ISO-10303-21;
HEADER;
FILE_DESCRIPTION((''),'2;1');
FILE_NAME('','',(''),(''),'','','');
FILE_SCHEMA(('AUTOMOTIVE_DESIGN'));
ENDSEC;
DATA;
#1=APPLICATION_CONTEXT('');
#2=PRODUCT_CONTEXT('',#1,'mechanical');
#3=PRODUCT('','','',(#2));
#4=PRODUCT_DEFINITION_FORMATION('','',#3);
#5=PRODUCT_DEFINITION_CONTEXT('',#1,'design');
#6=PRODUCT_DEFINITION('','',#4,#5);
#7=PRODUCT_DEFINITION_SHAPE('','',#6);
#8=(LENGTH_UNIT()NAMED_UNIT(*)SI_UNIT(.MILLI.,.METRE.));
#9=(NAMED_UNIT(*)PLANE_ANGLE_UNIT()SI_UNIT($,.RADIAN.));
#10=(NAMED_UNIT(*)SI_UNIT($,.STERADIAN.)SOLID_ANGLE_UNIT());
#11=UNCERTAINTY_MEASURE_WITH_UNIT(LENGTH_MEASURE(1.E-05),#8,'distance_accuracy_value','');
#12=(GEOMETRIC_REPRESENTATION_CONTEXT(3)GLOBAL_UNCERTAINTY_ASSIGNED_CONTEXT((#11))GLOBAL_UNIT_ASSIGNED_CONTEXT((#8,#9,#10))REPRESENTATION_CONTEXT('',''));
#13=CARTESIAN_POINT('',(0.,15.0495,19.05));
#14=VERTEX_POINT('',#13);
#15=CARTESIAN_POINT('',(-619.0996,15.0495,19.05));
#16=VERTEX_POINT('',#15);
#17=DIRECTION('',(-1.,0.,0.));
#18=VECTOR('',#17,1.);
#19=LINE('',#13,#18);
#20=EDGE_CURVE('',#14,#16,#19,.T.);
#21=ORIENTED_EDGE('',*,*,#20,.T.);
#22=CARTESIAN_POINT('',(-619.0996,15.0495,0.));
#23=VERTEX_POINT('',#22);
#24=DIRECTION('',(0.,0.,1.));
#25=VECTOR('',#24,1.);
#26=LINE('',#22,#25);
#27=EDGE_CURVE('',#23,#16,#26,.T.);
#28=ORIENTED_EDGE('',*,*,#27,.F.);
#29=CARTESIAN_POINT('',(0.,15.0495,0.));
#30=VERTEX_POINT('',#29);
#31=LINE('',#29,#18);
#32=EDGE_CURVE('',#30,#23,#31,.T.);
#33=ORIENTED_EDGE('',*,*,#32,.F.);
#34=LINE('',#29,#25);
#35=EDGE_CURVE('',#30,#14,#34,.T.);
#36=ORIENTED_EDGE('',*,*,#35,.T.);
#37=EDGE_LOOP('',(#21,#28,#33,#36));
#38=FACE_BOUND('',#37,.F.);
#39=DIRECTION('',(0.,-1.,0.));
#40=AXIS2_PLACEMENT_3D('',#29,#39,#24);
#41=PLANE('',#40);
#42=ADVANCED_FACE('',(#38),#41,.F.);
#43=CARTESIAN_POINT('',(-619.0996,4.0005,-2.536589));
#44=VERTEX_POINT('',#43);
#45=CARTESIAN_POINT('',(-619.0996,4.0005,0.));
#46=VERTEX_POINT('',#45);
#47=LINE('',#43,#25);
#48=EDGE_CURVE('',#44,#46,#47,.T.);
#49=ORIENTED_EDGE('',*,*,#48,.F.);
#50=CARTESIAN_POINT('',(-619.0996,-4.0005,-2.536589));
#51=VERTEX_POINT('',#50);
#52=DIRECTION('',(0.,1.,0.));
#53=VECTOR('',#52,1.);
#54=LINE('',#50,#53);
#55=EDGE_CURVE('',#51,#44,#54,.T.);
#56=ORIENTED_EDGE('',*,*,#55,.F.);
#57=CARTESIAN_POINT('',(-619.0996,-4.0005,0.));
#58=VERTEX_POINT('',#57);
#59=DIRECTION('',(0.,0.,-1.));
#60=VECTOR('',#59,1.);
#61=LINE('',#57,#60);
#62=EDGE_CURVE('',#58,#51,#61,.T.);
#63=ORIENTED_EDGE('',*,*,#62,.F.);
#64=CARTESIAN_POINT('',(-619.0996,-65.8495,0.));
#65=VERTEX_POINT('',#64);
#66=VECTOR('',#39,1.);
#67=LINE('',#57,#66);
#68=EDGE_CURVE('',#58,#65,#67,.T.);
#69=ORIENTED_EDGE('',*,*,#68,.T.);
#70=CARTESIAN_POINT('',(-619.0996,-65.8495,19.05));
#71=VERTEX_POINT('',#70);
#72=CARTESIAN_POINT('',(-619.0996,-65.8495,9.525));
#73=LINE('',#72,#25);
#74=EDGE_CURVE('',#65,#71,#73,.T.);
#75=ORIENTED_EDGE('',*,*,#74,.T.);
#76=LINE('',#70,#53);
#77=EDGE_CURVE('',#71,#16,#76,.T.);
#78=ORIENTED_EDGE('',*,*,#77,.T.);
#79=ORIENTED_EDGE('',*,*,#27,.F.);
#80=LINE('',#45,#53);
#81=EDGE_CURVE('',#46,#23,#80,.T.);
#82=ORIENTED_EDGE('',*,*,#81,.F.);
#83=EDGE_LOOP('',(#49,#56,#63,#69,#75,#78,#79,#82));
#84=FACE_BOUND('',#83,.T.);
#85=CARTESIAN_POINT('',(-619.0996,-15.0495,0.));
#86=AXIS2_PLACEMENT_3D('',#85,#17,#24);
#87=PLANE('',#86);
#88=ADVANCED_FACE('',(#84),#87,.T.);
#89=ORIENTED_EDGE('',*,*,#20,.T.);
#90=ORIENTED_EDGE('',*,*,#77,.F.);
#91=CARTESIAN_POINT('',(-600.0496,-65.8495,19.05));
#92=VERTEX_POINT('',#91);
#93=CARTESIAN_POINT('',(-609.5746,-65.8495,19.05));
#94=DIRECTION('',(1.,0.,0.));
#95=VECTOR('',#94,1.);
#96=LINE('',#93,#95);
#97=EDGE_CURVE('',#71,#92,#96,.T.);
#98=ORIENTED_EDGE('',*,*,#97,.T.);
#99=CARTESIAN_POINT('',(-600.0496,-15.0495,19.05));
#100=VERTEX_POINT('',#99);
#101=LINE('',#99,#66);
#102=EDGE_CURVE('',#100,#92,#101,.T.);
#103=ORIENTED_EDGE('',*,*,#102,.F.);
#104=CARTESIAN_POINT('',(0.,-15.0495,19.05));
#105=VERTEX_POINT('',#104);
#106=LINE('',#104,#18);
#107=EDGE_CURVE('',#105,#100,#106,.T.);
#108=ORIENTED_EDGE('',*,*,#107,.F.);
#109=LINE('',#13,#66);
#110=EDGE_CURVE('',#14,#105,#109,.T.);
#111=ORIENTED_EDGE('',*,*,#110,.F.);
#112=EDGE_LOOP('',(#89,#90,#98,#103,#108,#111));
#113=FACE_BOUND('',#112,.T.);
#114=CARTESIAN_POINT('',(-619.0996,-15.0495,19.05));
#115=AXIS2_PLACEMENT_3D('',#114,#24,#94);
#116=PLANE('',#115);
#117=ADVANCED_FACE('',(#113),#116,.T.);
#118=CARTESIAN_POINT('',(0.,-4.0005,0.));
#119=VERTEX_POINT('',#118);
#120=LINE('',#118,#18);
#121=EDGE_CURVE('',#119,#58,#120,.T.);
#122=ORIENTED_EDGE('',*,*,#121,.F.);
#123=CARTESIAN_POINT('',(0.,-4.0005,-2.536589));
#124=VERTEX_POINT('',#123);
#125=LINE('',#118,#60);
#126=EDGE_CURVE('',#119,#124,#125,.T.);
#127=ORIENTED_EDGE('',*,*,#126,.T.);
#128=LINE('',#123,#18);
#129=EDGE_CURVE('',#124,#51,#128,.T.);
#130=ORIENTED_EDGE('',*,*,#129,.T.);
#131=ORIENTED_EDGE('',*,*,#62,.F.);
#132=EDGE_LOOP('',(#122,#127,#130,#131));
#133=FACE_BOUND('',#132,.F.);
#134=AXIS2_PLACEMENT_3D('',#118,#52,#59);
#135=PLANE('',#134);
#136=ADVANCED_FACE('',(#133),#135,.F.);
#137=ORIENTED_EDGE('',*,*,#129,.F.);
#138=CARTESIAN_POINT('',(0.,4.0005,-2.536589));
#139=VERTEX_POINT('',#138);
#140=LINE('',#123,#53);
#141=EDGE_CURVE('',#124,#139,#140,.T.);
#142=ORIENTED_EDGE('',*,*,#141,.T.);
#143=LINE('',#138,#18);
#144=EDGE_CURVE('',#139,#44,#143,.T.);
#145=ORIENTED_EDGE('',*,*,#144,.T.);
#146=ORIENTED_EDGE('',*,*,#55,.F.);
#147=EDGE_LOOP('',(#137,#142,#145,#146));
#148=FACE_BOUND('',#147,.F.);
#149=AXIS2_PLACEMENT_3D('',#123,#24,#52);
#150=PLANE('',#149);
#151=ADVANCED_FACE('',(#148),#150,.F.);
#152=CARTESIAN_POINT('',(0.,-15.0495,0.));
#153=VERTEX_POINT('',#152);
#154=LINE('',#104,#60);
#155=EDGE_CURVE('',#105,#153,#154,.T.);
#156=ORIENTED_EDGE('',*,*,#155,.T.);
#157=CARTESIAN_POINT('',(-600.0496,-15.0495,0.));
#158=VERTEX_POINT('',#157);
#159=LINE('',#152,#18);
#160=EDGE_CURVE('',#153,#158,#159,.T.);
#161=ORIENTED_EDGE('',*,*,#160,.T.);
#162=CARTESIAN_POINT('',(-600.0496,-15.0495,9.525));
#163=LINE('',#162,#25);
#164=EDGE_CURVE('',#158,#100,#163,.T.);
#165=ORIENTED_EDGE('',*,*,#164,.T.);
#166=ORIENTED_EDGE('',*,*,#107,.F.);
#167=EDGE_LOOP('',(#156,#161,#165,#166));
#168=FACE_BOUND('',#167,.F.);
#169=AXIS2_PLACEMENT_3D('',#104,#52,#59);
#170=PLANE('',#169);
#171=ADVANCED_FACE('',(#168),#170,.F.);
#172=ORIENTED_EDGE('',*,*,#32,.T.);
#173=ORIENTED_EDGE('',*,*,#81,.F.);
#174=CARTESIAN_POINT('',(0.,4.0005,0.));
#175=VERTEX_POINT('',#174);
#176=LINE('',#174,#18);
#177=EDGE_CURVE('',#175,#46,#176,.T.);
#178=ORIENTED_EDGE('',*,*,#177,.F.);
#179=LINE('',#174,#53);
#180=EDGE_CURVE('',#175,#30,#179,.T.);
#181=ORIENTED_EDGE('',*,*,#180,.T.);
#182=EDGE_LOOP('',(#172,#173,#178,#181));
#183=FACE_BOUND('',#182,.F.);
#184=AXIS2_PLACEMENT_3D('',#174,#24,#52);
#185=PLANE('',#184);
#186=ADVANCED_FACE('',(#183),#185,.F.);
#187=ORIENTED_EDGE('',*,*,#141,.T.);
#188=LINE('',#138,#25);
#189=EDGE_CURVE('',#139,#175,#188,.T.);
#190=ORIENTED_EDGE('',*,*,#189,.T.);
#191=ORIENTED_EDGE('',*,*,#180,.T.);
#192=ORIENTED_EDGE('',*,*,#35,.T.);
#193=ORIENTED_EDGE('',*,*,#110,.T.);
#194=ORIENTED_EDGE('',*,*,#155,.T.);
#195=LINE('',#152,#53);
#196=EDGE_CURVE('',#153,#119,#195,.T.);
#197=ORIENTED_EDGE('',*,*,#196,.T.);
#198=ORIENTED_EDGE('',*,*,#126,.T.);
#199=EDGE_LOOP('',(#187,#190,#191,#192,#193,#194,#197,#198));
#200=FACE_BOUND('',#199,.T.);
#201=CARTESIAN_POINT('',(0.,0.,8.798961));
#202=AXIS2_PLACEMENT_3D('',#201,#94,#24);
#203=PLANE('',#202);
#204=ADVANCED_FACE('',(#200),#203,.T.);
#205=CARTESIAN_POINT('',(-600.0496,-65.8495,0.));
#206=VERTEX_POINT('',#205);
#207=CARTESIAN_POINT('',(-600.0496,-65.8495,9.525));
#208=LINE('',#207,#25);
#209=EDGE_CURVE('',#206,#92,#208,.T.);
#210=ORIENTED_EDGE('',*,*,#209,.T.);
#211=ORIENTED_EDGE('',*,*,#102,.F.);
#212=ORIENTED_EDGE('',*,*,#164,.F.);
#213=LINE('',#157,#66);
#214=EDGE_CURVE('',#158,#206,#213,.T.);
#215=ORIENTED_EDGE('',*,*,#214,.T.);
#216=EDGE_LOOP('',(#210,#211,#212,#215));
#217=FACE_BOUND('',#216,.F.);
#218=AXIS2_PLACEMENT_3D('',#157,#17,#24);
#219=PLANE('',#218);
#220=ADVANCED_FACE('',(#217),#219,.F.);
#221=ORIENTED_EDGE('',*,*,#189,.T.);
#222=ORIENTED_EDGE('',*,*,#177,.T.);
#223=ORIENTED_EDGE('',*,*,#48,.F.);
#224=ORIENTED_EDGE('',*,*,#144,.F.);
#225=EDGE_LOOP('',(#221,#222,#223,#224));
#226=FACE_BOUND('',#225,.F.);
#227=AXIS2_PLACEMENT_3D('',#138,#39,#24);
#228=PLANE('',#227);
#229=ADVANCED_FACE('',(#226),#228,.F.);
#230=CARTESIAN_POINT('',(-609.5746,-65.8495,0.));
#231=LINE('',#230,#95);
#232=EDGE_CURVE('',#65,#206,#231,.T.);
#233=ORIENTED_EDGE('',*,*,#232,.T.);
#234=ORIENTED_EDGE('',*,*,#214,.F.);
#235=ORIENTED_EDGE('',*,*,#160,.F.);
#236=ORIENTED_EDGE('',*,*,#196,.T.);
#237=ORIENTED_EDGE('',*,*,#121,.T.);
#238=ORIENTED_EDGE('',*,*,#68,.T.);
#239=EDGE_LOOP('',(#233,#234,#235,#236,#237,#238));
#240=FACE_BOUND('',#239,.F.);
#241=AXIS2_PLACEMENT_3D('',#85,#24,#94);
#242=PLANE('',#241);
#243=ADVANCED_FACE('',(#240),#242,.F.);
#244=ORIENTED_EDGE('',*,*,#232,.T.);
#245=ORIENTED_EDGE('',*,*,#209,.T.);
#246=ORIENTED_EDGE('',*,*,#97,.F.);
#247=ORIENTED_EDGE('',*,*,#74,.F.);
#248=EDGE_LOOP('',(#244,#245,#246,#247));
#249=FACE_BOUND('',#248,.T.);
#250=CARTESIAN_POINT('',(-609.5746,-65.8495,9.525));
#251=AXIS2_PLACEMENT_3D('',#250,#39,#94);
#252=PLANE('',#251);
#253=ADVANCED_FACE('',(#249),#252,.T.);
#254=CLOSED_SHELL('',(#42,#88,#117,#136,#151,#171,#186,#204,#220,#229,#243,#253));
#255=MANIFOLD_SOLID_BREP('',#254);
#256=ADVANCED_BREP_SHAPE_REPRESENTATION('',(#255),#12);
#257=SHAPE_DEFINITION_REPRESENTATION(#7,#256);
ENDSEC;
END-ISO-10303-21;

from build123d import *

# Parameters (mm, degrees)
F4_W     = 19.05
F4_H     = 19.05
F5_DEPTH = 50.8


with BuildPart() as f3:
    # F3: sweep along a path in F2
    with BuildLine(Plane.XY.offset(19.05)) as f3_path:
        Line((0, 0), (-619.0996, 0))
    # F0 (on Right) → F3 (sweep)
    with BuildSketch(Plane.YZ):
        Polygon((15.0495, 19.05), (-15.0495, 19.05), (-15.0495, 0), (-4.0005, 0), (-4.0005, -2.5365890469), (4.0005, -2.5365890469), (4.0005, 0), (15.0495, 0), align=None)
    sweep(path=f3_path.line)

    # F4 (on face) → F5 (join)
    with BuildSketch(Plane.XZ.offset(15.0495)):
        with Locations((-609.5746, 9.525)):
            Rectangle(F4_W, F4_H)
    extrude(amount=F5_DEPTH)


solid = f3.part
